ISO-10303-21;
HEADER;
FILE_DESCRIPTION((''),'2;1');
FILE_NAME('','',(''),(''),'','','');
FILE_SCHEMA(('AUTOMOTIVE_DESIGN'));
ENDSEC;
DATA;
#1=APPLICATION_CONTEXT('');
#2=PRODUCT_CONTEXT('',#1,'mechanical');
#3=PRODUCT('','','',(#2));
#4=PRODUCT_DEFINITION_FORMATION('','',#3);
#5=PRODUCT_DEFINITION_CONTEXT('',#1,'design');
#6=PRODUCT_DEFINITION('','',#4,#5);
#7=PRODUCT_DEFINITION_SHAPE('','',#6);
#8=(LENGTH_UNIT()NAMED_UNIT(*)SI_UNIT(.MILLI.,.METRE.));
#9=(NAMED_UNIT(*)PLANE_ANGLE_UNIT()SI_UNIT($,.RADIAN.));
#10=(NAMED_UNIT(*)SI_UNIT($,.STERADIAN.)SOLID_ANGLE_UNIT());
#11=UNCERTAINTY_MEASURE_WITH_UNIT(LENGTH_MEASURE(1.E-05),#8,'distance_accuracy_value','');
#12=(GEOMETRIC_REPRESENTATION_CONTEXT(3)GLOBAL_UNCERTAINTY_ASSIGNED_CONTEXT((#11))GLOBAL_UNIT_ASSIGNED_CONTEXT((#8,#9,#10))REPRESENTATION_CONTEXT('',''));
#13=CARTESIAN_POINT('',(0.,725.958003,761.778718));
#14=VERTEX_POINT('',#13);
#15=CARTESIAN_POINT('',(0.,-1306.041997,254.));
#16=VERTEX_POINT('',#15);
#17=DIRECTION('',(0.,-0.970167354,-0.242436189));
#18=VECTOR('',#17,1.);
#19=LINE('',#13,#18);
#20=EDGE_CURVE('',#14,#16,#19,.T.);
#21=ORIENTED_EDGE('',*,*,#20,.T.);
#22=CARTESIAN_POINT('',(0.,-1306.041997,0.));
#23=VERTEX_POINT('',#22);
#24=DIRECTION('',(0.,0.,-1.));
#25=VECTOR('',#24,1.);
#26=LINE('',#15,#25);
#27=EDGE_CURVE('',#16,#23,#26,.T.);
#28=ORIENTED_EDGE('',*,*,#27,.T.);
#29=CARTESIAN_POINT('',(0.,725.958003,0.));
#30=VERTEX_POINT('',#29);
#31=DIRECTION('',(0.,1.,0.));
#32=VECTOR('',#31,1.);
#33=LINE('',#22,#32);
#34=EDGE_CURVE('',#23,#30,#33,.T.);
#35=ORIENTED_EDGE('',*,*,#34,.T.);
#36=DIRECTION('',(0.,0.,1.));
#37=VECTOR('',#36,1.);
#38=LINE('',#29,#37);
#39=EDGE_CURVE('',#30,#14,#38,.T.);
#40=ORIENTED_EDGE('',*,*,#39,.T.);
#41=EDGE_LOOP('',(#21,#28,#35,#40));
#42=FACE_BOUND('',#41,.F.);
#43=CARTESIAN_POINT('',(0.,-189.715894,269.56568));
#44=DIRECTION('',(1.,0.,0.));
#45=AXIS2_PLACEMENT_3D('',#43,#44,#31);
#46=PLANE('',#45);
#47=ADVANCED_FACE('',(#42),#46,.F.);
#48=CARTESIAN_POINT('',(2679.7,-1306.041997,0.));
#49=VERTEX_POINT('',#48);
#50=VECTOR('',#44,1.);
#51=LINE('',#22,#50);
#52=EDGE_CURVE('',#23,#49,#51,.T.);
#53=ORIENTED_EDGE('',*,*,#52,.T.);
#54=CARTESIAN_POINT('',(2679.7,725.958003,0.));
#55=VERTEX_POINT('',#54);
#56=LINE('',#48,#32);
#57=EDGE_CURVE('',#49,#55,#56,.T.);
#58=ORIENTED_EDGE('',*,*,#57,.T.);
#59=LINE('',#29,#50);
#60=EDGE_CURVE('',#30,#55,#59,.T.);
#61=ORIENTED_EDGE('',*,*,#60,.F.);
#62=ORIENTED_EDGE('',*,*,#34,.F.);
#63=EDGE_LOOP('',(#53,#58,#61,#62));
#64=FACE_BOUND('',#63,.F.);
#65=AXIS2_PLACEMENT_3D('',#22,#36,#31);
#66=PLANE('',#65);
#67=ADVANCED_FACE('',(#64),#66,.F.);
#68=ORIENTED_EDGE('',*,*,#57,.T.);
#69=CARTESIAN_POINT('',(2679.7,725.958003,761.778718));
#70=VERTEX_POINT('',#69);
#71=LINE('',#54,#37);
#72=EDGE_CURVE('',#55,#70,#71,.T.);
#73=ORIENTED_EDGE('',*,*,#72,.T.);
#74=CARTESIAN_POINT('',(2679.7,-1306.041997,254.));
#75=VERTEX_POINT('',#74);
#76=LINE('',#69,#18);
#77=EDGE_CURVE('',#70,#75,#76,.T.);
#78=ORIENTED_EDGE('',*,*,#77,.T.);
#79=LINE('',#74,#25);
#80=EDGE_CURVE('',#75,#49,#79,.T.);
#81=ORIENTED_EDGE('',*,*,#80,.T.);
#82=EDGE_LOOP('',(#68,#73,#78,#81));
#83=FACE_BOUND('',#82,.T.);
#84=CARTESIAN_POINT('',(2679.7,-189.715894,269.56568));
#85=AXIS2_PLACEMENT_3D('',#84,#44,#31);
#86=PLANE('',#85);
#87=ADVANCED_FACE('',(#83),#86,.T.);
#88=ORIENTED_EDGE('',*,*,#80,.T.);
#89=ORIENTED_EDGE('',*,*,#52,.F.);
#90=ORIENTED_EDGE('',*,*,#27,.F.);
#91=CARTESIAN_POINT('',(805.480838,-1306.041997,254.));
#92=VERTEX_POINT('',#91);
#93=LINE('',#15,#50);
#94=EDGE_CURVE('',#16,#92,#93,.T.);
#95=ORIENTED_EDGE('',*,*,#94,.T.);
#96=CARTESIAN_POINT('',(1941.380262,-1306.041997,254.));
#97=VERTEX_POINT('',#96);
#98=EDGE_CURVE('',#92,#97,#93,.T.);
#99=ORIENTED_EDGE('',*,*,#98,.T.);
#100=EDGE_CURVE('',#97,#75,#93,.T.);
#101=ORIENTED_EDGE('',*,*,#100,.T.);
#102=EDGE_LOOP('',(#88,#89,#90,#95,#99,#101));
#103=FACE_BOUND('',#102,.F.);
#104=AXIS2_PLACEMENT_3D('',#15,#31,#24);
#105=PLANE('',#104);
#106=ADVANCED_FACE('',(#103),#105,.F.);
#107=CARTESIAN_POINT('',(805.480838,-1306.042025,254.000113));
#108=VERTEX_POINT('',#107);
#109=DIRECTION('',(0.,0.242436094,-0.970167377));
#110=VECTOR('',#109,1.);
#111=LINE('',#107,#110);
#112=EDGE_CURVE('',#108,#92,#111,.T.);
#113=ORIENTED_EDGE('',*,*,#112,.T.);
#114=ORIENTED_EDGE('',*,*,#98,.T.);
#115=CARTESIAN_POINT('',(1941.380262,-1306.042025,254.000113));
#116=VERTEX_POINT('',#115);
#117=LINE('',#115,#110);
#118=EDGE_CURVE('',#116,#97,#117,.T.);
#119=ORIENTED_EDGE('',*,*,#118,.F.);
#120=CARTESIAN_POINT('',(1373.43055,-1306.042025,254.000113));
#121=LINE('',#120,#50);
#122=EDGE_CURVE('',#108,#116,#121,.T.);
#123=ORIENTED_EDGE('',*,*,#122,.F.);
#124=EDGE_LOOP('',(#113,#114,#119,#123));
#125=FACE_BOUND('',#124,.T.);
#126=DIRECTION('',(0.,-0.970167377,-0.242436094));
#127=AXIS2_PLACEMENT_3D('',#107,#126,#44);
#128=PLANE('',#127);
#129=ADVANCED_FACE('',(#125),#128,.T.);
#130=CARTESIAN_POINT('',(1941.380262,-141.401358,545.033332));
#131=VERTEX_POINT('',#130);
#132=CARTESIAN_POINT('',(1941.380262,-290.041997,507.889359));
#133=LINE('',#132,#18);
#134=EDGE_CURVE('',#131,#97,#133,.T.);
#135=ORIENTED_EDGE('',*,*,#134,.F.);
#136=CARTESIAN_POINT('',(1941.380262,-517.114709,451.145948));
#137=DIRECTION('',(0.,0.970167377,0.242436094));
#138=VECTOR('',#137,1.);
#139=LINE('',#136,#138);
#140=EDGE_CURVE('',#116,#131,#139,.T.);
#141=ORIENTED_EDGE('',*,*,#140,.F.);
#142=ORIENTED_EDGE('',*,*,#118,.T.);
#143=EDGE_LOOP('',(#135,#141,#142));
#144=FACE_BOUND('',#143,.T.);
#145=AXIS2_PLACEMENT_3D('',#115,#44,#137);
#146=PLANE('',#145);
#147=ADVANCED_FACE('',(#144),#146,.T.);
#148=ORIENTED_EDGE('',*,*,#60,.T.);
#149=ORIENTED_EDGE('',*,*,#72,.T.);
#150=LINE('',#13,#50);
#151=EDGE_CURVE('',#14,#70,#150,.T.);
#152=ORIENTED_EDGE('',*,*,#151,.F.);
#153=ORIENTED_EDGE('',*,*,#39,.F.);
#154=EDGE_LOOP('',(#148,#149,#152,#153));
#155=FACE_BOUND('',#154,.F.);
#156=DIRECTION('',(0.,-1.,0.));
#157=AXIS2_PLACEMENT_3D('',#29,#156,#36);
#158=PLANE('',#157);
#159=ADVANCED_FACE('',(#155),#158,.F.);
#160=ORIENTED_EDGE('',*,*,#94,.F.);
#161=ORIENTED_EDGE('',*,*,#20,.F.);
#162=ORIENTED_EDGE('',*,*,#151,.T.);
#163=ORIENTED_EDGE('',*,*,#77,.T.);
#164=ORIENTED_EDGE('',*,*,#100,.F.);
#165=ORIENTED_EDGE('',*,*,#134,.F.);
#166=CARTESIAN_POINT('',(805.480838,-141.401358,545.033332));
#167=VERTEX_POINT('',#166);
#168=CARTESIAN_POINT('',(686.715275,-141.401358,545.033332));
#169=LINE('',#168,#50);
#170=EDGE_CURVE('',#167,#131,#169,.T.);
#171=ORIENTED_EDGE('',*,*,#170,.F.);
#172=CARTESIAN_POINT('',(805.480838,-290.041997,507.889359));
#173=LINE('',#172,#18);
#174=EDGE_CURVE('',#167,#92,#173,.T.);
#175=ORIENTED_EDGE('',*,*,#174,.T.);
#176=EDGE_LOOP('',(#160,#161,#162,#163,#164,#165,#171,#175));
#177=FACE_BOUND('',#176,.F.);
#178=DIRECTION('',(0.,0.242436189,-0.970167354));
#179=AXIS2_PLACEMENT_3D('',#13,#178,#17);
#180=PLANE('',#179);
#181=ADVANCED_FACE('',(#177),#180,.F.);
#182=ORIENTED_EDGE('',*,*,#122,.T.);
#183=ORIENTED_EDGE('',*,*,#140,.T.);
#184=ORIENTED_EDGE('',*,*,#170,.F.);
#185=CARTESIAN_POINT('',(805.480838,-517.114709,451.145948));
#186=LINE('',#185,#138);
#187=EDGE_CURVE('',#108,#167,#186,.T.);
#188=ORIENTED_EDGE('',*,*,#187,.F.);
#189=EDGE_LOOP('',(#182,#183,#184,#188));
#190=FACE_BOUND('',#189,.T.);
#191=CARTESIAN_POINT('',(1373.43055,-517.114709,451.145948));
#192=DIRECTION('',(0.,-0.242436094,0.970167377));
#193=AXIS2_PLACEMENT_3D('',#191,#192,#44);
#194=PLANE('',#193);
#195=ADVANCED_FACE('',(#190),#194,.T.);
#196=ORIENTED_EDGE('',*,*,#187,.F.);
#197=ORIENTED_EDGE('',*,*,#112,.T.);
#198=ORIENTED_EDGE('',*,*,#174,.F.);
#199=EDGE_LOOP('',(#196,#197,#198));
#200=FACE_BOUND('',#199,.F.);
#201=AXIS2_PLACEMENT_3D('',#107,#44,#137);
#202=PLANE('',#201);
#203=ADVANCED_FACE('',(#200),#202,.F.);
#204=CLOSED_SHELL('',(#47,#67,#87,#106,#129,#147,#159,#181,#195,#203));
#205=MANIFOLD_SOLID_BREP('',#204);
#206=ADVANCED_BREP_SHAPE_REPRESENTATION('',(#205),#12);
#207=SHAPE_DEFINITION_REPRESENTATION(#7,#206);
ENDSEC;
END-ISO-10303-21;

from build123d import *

# Parameters (mm, degrees)
F1_DEPTH = 2679.7
F2_W     = 1135.899424
F2_H     = 1626.373622
F3_DEPTH = 254


with BuildPart() as f1:
    # F0 (on Right) → F1 (new body)
    with BuildSketch(Plane.YZ):
        Polygon((725.958003, 0), (725.958003, 761.778718), (-1306.041997, 254), (-1306.041997, 0), align=None)
    extrude(amount=F1_DEPTH)

    # F2 (on face) → F3 (join)
    with BuildSketch(Plane(origin=(0, -136.504751, 546.25695), x_dir=(1, 0, 0), z_dir=(0, -0.242436, 0.970167))):
        with Locations((1373.43055, -392.313705)):
            Rectangle(F2_W, F2_H)
    extrude(amount=-F3_DEPTH)


solid = f1.part
